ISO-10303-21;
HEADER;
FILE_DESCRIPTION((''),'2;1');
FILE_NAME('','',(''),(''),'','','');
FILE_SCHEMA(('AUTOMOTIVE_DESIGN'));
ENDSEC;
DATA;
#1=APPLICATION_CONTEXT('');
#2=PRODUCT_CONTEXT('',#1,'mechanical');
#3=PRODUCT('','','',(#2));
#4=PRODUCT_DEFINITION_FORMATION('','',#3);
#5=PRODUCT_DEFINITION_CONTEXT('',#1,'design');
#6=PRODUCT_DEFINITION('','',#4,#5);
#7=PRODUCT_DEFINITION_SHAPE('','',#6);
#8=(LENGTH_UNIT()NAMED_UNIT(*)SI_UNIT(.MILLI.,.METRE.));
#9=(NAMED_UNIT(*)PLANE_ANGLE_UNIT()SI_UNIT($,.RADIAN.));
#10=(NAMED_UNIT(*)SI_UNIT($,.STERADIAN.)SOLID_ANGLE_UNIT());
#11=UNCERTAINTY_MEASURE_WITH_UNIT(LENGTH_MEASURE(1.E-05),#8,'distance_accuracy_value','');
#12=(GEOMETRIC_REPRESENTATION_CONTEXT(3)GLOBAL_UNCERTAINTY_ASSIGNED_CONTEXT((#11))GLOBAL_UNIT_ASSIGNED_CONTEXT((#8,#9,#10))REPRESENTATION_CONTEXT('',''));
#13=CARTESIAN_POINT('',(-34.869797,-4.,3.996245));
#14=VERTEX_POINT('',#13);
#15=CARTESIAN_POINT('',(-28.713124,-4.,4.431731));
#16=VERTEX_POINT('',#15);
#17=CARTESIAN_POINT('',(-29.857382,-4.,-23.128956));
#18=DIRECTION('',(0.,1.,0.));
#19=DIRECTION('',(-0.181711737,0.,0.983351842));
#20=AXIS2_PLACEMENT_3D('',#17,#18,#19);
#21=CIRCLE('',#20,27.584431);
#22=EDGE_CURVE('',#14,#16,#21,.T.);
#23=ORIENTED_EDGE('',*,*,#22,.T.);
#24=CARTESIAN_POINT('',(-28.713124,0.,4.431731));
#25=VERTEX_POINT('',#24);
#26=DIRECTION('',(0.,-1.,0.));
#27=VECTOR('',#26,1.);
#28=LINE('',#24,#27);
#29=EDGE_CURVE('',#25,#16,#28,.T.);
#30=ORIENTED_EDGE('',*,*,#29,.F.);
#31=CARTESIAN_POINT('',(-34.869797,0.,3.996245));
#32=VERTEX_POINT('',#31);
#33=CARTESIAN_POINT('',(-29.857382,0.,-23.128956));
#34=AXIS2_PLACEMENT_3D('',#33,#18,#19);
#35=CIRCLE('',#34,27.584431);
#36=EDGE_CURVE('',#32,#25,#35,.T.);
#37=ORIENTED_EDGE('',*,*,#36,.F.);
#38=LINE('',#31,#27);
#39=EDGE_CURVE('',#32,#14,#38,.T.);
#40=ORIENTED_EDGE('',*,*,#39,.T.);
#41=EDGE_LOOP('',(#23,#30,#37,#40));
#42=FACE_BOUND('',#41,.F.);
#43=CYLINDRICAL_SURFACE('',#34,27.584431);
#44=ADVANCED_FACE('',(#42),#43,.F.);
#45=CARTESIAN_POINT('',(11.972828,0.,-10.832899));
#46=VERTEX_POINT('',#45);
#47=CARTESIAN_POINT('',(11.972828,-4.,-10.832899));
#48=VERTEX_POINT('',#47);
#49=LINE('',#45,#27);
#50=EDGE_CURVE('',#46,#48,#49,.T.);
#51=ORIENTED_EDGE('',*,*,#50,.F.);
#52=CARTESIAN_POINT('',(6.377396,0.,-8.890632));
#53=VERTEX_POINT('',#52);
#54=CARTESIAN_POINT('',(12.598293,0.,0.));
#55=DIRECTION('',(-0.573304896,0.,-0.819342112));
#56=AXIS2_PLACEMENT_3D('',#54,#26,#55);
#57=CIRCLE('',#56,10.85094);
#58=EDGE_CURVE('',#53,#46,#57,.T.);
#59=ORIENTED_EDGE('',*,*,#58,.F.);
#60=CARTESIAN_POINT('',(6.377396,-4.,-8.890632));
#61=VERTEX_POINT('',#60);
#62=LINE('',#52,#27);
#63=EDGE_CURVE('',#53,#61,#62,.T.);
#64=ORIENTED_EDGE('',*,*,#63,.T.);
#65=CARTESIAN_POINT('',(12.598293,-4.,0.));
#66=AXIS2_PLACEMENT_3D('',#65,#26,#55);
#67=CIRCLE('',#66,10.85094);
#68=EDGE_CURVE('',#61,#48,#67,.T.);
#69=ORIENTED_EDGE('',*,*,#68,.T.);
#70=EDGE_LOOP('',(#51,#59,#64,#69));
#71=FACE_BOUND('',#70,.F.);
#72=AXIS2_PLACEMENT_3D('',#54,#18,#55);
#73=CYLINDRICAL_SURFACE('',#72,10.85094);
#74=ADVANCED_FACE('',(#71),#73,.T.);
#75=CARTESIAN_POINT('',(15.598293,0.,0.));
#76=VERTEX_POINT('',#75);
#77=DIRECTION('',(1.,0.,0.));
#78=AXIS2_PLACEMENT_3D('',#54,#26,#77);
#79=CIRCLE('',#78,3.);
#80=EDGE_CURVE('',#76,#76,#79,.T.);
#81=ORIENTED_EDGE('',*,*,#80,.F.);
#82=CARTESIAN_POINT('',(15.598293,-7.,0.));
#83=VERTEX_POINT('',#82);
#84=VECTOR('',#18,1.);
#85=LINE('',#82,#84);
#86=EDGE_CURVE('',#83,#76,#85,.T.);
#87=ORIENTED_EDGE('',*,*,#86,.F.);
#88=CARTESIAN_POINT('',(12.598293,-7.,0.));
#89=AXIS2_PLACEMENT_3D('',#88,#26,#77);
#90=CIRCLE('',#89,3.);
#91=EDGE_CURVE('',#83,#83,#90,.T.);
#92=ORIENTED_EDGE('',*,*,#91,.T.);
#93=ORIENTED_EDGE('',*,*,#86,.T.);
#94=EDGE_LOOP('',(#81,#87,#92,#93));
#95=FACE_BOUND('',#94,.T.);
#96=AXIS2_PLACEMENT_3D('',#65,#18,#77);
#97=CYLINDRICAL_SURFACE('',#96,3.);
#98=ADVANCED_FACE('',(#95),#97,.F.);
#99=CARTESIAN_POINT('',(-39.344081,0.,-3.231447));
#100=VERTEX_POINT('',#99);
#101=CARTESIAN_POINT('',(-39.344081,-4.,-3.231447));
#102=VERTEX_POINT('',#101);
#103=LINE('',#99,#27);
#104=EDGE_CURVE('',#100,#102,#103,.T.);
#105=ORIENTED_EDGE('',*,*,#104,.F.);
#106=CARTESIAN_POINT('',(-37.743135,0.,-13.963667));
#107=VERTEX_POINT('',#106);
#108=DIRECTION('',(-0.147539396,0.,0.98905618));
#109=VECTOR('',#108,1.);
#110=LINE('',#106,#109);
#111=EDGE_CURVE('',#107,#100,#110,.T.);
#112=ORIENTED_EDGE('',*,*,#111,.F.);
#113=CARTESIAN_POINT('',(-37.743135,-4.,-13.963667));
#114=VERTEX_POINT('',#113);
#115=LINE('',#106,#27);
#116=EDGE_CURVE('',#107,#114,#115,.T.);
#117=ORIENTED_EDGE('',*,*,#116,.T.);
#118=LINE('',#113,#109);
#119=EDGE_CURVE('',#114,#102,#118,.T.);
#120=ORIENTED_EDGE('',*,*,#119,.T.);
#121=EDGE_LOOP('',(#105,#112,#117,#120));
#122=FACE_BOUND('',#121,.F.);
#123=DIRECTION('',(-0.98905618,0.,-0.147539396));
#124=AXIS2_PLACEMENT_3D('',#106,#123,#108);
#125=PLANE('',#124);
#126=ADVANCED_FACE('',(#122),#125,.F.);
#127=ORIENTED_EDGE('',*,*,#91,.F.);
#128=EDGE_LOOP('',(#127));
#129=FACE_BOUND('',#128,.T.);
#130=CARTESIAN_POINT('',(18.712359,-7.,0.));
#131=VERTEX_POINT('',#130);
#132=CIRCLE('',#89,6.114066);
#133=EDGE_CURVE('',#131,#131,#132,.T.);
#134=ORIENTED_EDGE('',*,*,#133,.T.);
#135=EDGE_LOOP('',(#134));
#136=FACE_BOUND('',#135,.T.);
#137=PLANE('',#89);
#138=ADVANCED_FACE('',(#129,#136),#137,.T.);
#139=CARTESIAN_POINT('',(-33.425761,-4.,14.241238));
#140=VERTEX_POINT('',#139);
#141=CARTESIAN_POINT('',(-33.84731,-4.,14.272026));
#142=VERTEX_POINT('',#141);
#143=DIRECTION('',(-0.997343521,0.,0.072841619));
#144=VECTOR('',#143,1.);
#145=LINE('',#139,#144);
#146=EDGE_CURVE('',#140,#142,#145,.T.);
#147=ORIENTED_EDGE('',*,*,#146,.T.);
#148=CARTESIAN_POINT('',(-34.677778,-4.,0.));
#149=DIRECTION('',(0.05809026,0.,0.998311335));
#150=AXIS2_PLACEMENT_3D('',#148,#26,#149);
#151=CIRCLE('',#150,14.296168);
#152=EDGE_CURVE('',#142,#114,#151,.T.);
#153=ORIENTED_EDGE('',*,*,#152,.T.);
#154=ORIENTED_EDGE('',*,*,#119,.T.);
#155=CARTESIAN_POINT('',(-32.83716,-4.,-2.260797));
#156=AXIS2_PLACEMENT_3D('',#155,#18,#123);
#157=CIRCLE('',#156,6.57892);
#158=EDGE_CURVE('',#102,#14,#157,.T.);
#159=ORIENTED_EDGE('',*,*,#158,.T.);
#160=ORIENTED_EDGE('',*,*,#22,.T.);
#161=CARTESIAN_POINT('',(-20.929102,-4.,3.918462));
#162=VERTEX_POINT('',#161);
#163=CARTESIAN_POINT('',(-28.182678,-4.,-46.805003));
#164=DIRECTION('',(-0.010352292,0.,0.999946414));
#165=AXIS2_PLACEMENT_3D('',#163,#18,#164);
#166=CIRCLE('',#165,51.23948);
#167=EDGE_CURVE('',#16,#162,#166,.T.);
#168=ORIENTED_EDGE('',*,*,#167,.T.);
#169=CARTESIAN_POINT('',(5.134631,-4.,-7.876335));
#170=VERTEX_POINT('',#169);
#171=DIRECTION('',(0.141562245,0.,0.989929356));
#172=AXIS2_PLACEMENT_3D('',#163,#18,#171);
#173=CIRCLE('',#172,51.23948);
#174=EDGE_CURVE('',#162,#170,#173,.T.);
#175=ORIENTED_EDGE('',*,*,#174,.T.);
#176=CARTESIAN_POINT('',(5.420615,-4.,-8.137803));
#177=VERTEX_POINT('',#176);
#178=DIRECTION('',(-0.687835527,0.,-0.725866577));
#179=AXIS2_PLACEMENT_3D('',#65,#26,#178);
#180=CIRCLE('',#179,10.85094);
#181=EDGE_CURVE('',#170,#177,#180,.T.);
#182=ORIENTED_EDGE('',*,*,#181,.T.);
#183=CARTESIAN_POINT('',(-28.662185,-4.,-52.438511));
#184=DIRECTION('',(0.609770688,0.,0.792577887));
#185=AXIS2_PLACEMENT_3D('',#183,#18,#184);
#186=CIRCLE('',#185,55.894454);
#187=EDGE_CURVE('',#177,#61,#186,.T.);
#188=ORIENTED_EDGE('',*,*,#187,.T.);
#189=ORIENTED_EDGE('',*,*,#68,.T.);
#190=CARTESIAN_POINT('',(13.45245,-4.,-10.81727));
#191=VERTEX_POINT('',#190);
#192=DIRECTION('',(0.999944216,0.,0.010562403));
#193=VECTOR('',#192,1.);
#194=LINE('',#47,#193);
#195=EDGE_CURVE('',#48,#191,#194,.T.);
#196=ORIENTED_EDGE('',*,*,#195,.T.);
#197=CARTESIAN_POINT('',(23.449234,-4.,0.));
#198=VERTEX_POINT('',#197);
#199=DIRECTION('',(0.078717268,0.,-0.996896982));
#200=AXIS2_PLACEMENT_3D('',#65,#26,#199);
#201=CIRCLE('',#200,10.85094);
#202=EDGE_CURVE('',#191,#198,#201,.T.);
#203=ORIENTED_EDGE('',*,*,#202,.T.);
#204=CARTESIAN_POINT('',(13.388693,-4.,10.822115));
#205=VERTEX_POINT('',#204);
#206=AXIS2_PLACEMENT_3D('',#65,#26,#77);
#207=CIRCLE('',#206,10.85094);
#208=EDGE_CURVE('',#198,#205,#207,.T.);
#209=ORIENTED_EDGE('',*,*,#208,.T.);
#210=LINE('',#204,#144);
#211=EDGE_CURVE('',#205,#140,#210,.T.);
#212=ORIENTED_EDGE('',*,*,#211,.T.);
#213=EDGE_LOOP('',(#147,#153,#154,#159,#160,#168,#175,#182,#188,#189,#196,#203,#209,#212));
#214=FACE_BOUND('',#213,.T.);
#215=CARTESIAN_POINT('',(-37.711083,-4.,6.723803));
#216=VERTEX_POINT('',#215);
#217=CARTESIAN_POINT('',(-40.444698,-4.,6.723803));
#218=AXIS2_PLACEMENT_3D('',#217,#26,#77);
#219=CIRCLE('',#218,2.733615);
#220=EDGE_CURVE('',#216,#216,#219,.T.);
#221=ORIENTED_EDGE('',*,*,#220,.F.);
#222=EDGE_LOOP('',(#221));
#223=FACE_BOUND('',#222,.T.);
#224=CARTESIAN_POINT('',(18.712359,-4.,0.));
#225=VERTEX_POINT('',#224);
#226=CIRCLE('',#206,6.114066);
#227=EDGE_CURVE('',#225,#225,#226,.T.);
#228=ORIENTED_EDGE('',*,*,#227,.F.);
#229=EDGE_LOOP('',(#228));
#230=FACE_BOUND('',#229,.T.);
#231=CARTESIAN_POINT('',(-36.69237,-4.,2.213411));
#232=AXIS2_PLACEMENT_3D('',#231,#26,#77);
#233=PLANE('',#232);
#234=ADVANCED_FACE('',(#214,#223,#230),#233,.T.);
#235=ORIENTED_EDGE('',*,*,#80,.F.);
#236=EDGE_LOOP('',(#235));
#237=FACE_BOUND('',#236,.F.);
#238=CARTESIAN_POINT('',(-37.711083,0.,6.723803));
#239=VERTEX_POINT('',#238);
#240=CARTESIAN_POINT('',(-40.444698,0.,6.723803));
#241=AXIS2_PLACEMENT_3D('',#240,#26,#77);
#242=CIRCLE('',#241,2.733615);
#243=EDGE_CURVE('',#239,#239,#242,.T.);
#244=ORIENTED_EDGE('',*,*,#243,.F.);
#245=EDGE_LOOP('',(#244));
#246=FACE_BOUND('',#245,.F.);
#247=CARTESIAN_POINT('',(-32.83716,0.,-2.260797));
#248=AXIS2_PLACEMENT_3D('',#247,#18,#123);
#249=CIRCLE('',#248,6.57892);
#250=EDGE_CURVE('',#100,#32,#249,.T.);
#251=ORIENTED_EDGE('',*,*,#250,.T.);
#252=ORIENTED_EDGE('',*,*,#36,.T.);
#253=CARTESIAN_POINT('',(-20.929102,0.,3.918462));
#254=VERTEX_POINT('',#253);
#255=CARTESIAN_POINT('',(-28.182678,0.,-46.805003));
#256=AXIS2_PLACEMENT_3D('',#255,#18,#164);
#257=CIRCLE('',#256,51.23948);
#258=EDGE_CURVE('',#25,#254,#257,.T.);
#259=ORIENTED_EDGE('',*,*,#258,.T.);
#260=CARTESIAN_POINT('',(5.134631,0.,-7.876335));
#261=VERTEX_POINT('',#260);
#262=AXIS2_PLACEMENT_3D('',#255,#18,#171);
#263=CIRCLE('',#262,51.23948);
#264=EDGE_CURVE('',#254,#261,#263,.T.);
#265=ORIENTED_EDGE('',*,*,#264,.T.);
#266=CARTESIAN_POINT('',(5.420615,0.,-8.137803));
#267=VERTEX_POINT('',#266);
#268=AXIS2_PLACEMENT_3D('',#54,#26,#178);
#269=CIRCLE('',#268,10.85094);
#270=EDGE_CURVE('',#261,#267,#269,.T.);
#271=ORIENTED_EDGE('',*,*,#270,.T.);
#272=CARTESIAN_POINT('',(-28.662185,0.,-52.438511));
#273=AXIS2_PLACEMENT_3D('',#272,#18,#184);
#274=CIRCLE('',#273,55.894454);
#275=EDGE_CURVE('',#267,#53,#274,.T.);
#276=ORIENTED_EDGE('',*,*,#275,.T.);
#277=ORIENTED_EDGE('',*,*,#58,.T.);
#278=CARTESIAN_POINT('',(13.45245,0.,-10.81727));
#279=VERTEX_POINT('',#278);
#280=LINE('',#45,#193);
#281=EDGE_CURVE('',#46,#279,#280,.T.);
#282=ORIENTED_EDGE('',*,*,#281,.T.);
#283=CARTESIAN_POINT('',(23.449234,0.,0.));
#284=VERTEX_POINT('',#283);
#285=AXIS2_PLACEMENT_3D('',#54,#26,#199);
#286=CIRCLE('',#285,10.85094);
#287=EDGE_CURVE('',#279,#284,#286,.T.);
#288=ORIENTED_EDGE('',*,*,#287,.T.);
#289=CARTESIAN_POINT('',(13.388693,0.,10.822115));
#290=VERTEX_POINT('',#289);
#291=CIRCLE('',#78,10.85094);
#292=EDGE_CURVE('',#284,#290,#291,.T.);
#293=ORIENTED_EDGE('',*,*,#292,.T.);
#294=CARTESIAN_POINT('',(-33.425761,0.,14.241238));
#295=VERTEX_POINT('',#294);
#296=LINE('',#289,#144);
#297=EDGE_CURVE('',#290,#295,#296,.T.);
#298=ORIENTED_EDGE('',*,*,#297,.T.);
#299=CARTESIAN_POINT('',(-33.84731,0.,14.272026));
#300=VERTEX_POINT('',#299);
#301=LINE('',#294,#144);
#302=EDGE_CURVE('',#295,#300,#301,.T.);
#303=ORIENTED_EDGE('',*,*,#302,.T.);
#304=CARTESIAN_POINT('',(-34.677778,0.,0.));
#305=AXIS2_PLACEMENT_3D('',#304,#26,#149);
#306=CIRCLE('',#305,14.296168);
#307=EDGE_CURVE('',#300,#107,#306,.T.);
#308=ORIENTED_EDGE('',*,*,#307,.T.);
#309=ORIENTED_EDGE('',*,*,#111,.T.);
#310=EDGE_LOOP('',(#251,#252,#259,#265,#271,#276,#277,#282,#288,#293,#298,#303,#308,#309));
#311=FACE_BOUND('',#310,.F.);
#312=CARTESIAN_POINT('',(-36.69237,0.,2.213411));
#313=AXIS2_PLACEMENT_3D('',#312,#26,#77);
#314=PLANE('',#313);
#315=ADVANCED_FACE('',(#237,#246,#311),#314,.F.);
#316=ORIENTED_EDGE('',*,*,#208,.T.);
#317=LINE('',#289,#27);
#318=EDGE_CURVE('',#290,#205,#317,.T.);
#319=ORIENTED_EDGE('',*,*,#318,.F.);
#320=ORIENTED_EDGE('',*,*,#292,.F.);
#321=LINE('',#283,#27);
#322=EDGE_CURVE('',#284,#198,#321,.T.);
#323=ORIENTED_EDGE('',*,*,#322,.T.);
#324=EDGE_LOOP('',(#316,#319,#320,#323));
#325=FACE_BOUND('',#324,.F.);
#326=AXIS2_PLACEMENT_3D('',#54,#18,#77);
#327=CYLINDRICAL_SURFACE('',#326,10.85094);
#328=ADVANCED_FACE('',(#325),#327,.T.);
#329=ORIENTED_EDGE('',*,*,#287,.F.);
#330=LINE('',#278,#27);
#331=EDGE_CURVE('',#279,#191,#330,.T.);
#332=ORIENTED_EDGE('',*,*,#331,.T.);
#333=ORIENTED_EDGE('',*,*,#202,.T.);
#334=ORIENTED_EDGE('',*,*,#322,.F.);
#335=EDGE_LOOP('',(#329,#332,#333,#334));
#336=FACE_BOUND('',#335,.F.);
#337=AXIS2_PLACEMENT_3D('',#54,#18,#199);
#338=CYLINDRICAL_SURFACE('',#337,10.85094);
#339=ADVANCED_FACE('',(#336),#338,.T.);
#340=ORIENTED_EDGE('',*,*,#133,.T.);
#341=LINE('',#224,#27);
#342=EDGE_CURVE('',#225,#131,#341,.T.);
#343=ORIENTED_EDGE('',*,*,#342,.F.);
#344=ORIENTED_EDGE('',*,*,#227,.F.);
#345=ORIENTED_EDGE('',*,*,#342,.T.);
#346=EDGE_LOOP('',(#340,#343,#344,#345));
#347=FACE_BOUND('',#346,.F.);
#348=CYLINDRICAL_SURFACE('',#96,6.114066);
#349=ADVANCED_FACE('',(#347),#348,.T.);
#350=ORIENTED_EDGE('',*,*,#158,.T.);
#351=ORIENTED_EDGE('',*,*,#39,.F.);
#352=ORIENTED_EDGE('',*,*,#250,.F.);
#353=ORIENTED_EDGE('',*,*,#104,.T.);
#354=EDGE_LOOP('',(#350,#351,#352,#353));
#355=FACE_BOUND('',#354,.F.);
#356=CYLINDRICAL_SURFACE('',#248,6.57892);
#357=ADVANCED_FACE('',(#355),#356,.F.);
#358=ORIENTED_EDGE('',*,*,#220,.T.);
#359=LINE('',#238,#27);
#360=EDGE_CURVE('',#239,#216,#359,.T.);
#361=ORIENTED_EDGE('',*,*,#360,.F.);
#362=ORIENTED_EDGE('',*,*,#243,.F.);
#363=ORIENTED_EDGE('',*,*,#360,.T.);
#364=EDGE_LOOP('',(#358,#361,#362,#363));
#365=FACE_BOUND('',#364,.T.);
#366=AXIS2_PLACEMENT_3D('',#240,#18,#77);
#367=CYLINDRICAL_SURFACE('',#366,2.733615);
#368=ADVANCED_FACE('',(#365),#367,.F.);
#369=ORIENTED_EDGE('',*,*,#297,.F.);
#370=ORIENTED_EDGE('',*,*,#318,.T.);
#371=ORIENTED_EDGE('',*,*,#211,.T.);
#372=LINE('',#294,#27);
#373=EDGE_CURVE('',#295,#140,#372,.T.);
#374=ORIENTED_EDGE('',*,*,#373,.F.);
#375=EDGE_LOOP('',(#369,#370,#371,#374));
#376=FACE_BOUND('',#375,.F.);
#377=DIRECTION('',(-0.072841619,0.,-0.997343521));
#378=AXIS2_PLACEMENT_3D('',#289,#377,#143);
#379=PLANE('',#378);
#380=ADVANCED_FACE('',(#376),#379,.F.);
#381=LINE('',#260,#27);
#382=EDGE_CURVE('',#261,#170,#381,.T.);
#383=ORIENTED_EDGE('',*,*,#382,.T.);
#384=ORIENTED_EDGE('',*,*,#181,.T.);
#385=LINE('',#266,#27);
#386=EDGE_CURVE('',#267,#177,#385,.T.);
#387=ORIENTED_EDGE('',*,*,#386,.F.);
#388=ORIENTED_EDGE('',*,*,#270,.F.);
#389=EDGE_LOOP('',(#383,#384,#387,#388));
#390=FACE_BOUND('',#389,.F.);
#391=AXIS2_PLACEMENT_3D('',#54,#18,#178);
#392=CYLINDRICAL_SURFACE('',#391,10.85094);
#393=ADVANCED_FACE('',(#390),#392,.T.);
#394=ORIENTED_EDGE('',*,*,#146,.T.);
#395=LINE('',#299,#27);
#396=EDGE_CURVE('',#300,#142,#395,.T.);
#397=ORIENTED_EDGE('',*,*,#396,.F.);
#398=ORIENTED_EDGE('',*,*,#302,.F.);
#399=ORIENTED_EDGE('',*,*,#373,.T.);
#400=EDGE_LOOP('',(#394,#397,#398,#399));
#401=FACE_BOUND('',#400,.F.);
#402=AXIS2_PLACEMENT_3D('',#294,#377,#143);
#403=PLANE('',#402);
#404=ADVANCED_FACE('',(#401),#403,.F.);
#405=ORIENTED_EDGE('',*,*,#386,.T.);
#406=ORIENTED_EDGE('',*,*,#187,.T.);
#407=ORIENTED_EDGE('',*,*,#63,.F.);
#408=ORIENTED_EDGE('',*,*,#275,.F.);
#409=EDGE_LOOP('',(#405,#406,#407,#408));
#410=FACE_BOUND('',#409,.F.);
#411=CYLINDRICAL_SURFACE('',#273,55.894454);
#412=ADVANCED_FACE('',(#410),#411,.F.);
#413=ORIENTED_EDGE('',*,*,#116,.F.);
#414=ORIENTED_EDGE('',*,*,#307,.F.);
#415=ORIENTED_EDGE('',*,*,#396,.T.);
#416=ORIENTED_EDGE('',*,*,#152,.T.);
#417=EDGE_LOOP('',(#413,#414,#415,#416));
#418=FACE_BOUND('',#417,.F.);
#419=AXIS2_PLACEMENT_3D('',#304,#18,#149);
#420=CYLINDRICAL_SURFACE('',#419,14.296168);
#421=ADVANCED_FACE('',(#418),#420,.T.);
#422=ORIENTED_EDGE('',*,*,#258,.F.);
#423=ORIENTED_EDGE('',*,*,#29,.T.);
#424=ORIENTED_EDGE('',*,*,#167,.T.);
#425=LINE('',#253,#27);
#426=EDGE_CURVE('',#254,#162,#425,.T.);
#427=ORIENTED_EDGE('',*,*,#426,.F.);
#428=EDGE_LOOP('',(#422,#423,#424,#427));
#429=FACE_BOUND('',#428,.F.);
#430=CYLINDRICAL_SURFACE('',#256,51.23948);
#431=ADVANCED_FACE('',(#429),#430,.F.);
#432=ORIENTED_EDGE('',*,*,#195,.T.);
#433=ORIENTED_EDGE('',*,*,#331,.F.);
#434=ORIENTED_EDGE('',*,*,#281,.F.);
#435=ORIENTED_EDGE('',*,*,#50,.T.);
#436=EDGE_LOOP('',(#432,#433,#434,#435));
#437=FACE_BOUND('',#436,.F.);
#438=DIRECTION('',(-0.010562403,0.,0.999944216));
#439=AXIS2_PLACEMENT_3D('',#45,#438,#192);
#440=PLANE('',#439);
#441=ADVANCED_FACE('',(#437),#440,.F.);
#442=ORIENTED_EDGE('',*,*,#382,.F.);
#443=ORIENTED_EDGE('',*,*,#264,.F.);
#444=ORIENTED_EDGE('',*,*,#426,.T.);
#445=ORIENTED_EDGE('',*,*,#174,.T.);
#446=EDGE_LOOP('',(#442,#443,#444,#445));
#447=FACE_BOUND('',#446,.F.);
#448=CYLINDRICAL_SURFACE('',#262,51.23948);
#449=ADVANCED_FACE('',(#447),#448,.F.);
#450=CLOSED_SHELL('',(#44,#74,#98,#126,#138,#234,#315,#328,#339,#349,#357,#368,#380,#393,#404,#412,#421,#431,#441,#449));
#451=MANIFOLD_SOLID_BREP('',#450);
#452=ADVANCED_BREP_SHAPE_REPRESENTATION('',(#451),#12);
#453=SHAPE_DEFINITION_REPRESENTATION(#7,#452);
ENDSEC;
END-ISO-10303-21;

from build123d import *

# Parameters (mm, degrees)
F0_R     = 2.733615219
F0_R_2   = 3
F1_DEPTH = 4
F2_R     = 6.1140658309
F2_R_2   = 3
F3_DEPTH = 3


with BuildPart() as f1:
    # F0 (on Front) → F1 (new body)
    with BuildSketch(Plane.XZ):
        with BuildLine():
            ThreePointArc((-20.9291024725, 3.9184624391), (-25.5731023406, 11.0220372274), (-33.4257613217, 14.2412384443))
            Line((-33.4257613217, 14.2412384443), (-33.8473095456, 14.2720264872))
            ThreePointArc((-33.8473095456, 14.2720264872), (-48.8397789722, 1.9540051753), (-37.7431354391, -13.9636671057))
            Line((-37.7431354391, -13.9636671057), (-39.344081143, -3.2314471709))
            ThreePointArc((-39.344081143, -3.2314471709), (-38.4309864787, 1.2020468529), (-34.8697970186, 3.9962445472))
            ThreePointArc((-34.8697970186, 3.9962445472), (-31.8036791498, 4.3867256224), (-28.7131243857, 4.4317312401))
            ThreePointArc((-28.7131243857, 4.4317312401), (-24.811331448, 4.3234463104), (-20.9291024725, 3.9184624391))
        make_face()
        with Locations((-40.4446981847, 6.723803468)):
            Circle(F0_R, mode=Mode.SUBTRACT)
        with BuildLine():
            ThreePointArc((5.1346311332, -7.8763348549), (2.6715056736, 4.3819848217), (13.3886933806, 10.8221149428))
            Line((13.3886933806, 10.8221149428), (-33.4257613217, 14.2412384443))
            ThreePointArc((-33.4257613217, 14.2412384443), (-25.5731023406, 11.0220372274), (-20.9291024725, 3.9184624391))
            ThreePointArc((-20.9291024725, 3.9184624391), (-7.0573737231, -0.1230384341), (5.1346311332, -7.8763348549))
        make_face()
        with BuildLine():
            ThreePointArc((13.4524496929, -10.8172695714), (20.5673366745, -7.3645945031), (23.4492335658, 0))
            ThreePointArc((23.4492335658, 0), (20.5456038096, 7.3880417001), (13.3886933806, 10.8221149428))
            ThreePointArc((13.3886933806, 10.8221149428), (2.6715056736, 4.3819848217), (5.1346311332, -7.8763348549))
            ThreePointArc((5.1346311332, -7.8763348549), (5.2764555881, -8.0083454106), (5.4206145263, -8.137802598))
            ThreePointArc((5.4206145263, -8.137802598), (5.901055097, -8.5116123819), (6.3773961579, -8.8906322891))
            ThreePointArc((6.3773961579, -8.8906322891), (9.0400253079, -10.2509332643), (11.972827524, -10.8328988092))
            Line((11.972827524, -10.8328988092), (13.4524496929, -10.8172695714))
        make_face()
        with Locations((12.5982933263, 0)):
            Circle(F0_R_2, mode=Mode.SUBTRACT)
    extrude(amount=F1_DEPTH)

    # F2 (on face) → F3 (join)
    with BuildSketch(Plane.XZ.offset(4)):
        with Locations((12.5982933263, 0)):
            Circle(F2_R)
        with Locations((12.5982933263, 0)):
            Circle(F2_R_2, mode=Mode.SUBTRACT)
    extrude(amount=F3_DEPTH)


solid = f1.part
